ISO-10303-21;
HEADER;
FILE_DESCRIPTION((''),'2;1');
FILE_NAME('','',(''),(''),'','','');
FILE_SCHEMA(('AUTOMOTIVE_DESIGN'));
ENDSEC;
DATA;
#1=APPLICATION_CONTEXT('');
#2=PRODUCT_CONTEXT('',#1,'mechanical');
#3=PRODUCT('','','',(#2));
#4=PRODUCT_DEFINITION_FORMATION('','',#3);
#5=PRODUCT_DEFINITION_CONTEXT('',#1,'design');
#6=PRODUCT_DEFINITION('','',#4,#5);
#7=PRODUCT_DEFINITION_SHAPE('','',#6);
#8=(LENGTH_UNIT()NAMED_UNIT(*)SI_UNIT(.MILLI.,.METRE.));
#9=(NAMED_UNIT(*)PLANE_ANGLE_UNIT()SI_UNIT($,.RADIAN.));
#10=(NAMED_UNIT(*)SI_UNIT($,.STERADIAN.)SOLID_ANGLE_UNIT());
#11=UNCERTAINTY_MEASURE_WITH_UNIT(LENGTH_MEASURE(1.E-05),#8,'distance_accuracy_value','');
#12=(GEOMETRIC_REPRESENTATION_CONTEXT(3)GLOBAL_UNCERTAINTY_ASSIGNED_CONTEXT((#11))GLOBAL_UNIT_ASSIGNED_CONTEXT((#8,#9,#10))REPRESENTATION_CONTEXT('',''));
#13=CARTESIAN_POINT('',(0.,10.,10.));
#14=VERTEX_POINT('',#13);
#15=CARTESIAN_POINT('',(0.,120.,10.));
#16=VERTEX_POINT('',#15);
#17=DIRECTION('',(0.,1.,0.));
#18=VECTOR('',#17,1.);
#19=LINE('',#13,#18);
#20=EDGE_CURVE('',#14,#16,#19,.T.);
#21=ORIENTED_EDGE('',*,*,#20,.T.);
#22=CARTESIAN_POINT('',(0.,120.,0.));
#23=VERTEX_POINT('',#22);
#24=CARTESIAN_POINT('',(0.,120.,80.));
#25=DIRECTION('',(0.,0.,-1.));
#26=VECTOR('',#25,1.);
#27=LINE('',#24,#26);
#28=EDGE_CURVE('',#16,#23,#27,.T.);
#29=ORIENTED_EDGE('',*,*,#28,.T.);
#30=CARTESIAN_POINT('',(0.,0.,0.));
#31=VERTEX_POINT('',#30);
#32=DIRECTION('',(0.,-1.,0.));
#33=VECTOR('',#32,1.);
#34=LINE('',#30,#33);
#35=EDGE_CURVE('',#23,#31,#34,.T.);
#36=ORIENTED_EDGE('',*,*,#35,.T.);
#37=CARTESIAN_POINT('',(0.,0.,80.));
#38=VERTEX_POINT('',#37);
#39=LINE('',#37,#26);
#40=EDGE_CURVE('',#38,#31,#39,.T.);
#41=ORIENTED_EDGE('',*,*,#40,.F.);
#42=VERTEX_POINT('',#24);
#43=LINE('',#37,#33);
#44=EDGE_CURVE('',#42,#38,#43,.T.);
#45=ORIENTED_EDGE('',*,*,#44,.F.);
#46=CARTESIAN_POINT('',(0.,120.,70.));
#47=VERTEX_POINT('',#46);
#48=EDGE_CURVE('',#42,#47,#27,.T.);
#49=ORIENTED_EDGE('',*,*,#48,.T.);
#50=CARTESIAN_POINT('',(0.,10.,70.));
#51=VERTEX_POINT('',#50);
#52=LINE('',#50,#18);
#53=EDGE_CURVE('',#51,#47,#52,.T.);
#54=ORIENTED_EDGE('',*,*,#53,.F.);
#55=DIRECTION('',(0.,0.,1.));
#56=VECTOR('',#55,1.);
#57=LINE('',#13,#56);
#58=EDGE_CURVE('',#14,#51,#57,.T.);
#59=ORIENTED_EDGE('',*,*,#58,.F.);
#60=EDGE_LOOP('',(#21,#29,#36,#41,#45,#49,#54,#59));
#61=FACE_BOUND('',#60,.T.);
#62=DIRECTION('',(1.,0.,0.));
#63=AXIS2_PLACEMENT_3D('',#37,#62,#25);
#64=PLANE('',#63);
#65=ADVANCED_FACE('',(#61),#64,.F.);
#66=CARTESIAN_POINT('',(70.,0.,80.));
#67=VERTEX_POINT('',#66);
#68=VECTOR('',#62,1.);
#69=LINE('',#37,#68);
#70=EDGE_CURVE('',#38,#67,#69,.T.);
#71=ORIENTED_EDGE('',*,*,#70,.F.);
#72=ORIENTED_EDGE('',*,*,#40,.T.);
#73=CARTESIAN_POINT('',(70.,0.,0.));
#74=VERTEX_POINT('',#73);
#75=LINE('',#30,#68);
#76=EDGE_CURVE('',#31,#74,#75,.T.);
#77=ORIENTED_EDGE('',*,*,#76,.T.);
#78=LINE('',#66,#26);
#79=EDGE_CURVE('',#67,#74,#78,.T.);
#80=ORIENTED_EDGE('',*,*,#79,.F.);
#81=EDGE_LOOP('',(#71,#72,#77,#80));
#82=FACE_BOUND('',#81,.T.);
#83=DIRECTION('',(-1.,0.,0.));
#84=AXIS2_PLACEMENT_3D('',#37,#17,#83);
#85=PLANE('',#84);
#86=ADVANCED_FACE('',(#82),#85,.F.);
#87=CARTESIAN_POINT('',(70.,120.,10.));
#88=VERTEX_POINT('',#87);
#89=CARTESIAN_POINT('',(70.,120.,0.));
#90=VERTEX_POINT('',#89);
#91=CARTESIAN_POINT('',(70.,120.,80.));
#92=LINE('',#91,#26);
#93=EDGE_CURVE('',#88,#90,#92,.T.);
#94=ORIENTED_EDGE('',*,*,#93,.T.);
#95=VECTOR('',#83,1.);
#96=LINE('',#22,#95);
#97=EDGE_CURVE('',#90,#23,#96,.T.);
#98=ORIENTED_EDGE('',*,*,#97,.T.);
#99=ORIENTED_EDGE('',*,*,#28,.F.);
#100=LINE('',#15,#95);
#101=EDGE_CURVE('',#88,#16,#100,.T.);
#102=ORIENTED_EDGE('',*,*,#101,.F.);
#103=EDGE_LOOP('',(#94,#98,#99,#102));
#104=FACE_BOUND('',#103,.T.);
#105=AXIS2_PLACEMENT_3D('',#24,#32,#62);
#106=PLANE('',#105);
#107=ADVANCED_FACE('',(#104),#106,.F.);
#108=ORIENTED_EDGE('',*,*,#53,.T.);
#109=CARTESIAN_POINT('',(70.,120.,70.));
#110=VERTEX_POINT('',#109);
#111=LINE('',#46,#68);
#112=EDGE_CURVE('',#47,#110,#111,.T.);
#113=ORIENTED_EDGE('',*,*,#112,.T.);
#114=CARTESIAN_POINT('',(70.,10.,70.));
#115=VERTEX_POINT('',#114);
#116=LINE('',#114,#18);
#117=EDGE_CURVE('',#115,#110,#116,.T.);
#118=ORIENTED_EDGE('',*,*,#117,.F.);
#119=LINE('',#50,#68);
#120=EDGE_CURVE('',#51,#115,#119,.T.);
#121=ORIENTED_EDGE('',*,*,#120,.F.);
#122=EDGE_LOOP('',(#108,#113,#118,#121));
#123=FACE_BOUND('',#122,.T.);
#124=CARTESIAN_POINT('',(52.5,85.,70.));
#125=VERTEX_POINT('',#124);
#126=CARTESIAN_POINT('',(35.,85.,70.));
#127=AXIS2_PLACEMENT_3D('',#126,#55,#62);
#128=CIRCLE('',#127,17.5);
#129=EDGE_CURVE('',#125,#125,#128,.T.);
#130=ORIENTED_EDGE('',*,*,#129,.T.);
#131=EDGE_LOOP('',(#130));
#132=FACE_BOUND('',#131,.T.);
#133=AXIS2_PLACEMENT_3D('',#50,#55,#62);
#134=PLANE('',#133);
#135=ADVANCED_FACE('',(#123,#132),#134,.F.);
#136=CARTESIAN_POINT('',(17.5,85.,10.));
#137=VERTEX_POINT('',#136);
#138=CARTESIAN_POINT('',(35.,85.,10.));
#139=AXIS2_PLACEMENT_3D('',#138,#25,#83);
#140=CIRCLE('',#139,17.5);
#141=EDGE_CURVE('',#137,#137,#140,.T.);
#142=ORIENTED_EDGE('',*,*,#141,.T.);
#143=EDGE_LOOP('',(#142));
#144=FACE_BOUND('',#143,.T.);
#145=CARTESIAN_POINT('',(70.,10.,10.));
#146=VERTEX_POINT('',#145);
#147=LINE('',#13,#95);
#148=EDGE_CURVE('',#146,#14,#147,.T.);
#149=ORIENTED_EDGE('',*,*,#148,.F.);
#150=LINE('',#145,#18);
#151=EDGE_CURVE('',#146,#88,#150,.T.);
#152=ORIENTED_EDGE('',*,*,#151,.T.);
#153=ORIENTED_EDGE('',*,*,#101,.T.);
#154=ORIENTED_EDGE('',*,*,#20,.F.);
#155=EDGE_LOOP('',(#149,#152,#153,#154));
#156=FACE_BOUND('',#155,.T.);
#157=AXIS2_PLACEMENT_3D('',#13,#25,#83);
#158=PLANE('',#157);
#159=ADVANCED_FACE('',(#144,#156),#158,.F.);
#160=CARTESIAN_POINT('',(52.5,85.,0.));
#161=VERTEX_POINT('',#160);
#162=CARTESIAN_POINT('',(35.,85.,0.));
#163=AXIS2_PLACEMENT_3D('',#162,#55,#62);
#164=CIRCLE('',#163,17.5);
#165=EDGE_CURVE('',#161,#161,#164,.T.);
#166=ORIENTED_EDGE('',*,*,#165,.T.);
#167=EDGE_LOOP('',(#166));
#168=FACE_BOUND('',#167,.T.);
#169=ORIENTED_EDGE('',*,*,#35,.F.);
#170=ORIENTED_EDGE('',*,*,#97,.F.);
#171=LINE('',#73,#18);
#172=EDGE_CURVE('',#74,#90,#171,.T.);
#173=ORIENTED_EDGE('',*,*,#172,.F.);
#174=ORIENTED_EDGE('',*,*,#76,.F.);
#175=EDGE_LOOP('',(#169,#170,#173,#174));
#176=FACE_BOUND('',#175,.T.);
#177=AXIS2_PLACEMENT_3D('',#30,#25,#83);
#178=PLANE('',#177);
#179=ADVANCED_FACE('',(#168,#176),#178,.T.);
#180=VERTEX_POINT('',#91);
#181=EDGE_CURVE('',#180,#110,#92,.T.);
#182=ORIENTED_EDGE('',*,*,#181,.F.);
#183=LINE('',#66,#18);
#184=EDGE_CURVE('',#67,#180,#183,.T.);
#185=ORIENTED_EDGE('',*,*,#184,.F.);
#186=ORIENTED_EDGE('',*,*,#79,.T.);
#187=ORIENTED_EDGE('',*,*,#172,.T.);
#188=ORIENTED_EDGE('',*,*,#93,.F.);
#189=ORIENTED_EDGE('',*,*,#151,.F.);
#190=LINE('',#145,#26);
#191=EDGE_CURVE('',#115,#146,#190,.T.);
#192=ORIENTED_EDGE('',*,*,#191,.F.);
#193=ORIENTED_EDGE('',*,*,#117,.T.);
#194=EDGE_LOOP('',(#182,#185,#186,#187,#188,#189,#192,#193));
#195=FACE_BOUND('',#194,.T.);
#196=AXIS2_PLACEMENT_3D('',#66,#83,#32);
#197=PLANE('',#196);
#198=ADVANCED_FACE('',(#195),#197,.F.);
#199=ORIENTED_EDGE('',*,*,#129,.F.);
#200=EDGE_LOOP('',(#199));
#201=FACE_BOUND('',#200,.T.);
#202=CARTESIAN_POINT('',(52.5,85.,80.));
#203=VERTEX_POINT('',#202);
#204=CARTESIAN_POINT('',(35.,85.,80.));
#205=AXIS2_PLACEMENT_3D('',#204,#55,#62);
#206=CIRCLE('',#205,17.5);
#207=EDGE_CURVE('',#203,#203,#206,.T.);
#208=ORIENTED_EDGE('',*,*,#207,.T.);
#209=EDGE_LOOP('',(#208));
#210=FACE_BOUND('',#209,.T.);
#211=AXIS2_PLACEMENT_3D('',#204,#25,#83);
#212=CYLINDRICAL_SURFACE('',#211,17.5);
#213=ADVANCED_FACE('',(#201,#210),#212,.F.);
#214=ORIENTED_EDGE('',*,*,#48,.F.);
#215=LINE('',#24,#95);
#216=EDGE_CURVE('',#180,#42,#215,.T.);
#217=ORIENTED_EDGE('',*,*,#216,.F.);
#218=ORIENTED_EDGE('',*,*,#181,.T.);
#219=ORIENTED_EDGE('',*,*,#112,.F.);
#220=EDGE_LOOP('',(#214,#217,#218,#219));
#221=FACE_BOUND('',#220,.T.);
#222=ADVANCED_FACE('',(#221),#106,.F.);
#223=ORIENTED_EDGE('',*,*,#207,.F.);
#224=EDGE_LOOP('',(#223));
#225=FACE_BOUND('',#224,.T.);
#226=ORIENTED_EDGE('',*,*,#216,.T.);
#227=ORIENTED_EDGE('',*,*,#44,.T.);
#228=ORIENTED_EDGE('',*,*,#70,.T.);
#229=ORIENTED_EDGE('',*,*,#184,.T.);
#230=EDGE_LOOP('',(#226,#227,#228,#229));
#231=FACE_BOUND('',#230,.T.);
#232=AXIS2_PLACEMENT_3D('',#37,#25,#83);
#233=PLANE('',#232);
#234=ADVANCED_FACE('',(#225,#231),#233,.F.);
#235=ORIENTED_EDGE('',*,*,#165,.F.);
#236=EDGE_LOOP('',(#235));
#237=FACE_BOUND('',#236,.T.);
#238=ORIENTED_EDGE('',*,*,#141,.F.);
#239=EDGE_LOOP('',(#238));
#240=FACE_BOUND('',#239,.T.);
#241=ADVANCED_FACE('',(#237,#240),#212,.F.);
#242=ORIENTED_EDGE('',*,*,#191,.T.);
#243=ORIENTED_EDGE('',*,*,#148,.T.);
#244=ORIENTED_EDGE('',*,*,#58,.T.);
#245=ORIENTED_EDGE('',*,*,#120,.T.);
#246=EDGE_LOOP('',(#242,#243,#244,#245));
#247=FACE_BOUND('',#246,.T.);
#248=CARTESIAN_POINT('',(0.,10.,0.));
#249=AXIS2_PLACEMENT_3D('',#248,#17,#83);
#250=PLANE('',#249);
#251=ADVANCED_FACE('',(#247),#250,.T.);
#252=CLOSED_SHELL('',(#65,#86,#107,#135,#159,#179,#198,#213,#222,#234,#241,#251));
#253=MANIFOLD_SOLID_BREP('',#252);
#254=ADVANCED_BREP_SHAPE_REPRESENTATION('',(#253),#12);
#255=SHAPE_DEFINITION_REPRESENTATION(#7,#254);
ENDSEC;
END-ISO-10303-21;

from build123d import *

# Parameters (mm, degrees)
SKETCH1_W           = 70
SKETCH1_H           = 120
SKETCH1_R           = 17.5
BOSS_EXTRUDE3_DEPTH = 80
SKETCH2_W           = 70
SKETCH2_H           = 60
CUT_EXTRUDE1_DEPTH  = 110


with BuildPart() as part:
    # Sketch1 → Boss-Extrude3 (new body)
    with BuildSketch(Plane.XY):
        with Locations((35, 60)):
            Rectangle(SKETCH1_W, SKETCH1_H)
        with Locations((35, 85)):
            Circle(SKETCH1_R, mode=Mode.SUBTRACT)
    extrude(amount=BOSS_EXTRUDE3_DEPTH)

    # Sketch2 → Cut-Extrude1 (cut)
    with BuildSketch(Plane(origin=(0, 120, 0), x_dir=(1, 0, 0), z_dir=(0, 1, 0))):
        with Locations((35, -40)):
            Rectangle(SKETCH2_W, SKETCH2_H)
    extrude(amount=-CUT_EXTRUDE1_DEPTH, mode=Mode.SUBTRACT)


solid = part.part
